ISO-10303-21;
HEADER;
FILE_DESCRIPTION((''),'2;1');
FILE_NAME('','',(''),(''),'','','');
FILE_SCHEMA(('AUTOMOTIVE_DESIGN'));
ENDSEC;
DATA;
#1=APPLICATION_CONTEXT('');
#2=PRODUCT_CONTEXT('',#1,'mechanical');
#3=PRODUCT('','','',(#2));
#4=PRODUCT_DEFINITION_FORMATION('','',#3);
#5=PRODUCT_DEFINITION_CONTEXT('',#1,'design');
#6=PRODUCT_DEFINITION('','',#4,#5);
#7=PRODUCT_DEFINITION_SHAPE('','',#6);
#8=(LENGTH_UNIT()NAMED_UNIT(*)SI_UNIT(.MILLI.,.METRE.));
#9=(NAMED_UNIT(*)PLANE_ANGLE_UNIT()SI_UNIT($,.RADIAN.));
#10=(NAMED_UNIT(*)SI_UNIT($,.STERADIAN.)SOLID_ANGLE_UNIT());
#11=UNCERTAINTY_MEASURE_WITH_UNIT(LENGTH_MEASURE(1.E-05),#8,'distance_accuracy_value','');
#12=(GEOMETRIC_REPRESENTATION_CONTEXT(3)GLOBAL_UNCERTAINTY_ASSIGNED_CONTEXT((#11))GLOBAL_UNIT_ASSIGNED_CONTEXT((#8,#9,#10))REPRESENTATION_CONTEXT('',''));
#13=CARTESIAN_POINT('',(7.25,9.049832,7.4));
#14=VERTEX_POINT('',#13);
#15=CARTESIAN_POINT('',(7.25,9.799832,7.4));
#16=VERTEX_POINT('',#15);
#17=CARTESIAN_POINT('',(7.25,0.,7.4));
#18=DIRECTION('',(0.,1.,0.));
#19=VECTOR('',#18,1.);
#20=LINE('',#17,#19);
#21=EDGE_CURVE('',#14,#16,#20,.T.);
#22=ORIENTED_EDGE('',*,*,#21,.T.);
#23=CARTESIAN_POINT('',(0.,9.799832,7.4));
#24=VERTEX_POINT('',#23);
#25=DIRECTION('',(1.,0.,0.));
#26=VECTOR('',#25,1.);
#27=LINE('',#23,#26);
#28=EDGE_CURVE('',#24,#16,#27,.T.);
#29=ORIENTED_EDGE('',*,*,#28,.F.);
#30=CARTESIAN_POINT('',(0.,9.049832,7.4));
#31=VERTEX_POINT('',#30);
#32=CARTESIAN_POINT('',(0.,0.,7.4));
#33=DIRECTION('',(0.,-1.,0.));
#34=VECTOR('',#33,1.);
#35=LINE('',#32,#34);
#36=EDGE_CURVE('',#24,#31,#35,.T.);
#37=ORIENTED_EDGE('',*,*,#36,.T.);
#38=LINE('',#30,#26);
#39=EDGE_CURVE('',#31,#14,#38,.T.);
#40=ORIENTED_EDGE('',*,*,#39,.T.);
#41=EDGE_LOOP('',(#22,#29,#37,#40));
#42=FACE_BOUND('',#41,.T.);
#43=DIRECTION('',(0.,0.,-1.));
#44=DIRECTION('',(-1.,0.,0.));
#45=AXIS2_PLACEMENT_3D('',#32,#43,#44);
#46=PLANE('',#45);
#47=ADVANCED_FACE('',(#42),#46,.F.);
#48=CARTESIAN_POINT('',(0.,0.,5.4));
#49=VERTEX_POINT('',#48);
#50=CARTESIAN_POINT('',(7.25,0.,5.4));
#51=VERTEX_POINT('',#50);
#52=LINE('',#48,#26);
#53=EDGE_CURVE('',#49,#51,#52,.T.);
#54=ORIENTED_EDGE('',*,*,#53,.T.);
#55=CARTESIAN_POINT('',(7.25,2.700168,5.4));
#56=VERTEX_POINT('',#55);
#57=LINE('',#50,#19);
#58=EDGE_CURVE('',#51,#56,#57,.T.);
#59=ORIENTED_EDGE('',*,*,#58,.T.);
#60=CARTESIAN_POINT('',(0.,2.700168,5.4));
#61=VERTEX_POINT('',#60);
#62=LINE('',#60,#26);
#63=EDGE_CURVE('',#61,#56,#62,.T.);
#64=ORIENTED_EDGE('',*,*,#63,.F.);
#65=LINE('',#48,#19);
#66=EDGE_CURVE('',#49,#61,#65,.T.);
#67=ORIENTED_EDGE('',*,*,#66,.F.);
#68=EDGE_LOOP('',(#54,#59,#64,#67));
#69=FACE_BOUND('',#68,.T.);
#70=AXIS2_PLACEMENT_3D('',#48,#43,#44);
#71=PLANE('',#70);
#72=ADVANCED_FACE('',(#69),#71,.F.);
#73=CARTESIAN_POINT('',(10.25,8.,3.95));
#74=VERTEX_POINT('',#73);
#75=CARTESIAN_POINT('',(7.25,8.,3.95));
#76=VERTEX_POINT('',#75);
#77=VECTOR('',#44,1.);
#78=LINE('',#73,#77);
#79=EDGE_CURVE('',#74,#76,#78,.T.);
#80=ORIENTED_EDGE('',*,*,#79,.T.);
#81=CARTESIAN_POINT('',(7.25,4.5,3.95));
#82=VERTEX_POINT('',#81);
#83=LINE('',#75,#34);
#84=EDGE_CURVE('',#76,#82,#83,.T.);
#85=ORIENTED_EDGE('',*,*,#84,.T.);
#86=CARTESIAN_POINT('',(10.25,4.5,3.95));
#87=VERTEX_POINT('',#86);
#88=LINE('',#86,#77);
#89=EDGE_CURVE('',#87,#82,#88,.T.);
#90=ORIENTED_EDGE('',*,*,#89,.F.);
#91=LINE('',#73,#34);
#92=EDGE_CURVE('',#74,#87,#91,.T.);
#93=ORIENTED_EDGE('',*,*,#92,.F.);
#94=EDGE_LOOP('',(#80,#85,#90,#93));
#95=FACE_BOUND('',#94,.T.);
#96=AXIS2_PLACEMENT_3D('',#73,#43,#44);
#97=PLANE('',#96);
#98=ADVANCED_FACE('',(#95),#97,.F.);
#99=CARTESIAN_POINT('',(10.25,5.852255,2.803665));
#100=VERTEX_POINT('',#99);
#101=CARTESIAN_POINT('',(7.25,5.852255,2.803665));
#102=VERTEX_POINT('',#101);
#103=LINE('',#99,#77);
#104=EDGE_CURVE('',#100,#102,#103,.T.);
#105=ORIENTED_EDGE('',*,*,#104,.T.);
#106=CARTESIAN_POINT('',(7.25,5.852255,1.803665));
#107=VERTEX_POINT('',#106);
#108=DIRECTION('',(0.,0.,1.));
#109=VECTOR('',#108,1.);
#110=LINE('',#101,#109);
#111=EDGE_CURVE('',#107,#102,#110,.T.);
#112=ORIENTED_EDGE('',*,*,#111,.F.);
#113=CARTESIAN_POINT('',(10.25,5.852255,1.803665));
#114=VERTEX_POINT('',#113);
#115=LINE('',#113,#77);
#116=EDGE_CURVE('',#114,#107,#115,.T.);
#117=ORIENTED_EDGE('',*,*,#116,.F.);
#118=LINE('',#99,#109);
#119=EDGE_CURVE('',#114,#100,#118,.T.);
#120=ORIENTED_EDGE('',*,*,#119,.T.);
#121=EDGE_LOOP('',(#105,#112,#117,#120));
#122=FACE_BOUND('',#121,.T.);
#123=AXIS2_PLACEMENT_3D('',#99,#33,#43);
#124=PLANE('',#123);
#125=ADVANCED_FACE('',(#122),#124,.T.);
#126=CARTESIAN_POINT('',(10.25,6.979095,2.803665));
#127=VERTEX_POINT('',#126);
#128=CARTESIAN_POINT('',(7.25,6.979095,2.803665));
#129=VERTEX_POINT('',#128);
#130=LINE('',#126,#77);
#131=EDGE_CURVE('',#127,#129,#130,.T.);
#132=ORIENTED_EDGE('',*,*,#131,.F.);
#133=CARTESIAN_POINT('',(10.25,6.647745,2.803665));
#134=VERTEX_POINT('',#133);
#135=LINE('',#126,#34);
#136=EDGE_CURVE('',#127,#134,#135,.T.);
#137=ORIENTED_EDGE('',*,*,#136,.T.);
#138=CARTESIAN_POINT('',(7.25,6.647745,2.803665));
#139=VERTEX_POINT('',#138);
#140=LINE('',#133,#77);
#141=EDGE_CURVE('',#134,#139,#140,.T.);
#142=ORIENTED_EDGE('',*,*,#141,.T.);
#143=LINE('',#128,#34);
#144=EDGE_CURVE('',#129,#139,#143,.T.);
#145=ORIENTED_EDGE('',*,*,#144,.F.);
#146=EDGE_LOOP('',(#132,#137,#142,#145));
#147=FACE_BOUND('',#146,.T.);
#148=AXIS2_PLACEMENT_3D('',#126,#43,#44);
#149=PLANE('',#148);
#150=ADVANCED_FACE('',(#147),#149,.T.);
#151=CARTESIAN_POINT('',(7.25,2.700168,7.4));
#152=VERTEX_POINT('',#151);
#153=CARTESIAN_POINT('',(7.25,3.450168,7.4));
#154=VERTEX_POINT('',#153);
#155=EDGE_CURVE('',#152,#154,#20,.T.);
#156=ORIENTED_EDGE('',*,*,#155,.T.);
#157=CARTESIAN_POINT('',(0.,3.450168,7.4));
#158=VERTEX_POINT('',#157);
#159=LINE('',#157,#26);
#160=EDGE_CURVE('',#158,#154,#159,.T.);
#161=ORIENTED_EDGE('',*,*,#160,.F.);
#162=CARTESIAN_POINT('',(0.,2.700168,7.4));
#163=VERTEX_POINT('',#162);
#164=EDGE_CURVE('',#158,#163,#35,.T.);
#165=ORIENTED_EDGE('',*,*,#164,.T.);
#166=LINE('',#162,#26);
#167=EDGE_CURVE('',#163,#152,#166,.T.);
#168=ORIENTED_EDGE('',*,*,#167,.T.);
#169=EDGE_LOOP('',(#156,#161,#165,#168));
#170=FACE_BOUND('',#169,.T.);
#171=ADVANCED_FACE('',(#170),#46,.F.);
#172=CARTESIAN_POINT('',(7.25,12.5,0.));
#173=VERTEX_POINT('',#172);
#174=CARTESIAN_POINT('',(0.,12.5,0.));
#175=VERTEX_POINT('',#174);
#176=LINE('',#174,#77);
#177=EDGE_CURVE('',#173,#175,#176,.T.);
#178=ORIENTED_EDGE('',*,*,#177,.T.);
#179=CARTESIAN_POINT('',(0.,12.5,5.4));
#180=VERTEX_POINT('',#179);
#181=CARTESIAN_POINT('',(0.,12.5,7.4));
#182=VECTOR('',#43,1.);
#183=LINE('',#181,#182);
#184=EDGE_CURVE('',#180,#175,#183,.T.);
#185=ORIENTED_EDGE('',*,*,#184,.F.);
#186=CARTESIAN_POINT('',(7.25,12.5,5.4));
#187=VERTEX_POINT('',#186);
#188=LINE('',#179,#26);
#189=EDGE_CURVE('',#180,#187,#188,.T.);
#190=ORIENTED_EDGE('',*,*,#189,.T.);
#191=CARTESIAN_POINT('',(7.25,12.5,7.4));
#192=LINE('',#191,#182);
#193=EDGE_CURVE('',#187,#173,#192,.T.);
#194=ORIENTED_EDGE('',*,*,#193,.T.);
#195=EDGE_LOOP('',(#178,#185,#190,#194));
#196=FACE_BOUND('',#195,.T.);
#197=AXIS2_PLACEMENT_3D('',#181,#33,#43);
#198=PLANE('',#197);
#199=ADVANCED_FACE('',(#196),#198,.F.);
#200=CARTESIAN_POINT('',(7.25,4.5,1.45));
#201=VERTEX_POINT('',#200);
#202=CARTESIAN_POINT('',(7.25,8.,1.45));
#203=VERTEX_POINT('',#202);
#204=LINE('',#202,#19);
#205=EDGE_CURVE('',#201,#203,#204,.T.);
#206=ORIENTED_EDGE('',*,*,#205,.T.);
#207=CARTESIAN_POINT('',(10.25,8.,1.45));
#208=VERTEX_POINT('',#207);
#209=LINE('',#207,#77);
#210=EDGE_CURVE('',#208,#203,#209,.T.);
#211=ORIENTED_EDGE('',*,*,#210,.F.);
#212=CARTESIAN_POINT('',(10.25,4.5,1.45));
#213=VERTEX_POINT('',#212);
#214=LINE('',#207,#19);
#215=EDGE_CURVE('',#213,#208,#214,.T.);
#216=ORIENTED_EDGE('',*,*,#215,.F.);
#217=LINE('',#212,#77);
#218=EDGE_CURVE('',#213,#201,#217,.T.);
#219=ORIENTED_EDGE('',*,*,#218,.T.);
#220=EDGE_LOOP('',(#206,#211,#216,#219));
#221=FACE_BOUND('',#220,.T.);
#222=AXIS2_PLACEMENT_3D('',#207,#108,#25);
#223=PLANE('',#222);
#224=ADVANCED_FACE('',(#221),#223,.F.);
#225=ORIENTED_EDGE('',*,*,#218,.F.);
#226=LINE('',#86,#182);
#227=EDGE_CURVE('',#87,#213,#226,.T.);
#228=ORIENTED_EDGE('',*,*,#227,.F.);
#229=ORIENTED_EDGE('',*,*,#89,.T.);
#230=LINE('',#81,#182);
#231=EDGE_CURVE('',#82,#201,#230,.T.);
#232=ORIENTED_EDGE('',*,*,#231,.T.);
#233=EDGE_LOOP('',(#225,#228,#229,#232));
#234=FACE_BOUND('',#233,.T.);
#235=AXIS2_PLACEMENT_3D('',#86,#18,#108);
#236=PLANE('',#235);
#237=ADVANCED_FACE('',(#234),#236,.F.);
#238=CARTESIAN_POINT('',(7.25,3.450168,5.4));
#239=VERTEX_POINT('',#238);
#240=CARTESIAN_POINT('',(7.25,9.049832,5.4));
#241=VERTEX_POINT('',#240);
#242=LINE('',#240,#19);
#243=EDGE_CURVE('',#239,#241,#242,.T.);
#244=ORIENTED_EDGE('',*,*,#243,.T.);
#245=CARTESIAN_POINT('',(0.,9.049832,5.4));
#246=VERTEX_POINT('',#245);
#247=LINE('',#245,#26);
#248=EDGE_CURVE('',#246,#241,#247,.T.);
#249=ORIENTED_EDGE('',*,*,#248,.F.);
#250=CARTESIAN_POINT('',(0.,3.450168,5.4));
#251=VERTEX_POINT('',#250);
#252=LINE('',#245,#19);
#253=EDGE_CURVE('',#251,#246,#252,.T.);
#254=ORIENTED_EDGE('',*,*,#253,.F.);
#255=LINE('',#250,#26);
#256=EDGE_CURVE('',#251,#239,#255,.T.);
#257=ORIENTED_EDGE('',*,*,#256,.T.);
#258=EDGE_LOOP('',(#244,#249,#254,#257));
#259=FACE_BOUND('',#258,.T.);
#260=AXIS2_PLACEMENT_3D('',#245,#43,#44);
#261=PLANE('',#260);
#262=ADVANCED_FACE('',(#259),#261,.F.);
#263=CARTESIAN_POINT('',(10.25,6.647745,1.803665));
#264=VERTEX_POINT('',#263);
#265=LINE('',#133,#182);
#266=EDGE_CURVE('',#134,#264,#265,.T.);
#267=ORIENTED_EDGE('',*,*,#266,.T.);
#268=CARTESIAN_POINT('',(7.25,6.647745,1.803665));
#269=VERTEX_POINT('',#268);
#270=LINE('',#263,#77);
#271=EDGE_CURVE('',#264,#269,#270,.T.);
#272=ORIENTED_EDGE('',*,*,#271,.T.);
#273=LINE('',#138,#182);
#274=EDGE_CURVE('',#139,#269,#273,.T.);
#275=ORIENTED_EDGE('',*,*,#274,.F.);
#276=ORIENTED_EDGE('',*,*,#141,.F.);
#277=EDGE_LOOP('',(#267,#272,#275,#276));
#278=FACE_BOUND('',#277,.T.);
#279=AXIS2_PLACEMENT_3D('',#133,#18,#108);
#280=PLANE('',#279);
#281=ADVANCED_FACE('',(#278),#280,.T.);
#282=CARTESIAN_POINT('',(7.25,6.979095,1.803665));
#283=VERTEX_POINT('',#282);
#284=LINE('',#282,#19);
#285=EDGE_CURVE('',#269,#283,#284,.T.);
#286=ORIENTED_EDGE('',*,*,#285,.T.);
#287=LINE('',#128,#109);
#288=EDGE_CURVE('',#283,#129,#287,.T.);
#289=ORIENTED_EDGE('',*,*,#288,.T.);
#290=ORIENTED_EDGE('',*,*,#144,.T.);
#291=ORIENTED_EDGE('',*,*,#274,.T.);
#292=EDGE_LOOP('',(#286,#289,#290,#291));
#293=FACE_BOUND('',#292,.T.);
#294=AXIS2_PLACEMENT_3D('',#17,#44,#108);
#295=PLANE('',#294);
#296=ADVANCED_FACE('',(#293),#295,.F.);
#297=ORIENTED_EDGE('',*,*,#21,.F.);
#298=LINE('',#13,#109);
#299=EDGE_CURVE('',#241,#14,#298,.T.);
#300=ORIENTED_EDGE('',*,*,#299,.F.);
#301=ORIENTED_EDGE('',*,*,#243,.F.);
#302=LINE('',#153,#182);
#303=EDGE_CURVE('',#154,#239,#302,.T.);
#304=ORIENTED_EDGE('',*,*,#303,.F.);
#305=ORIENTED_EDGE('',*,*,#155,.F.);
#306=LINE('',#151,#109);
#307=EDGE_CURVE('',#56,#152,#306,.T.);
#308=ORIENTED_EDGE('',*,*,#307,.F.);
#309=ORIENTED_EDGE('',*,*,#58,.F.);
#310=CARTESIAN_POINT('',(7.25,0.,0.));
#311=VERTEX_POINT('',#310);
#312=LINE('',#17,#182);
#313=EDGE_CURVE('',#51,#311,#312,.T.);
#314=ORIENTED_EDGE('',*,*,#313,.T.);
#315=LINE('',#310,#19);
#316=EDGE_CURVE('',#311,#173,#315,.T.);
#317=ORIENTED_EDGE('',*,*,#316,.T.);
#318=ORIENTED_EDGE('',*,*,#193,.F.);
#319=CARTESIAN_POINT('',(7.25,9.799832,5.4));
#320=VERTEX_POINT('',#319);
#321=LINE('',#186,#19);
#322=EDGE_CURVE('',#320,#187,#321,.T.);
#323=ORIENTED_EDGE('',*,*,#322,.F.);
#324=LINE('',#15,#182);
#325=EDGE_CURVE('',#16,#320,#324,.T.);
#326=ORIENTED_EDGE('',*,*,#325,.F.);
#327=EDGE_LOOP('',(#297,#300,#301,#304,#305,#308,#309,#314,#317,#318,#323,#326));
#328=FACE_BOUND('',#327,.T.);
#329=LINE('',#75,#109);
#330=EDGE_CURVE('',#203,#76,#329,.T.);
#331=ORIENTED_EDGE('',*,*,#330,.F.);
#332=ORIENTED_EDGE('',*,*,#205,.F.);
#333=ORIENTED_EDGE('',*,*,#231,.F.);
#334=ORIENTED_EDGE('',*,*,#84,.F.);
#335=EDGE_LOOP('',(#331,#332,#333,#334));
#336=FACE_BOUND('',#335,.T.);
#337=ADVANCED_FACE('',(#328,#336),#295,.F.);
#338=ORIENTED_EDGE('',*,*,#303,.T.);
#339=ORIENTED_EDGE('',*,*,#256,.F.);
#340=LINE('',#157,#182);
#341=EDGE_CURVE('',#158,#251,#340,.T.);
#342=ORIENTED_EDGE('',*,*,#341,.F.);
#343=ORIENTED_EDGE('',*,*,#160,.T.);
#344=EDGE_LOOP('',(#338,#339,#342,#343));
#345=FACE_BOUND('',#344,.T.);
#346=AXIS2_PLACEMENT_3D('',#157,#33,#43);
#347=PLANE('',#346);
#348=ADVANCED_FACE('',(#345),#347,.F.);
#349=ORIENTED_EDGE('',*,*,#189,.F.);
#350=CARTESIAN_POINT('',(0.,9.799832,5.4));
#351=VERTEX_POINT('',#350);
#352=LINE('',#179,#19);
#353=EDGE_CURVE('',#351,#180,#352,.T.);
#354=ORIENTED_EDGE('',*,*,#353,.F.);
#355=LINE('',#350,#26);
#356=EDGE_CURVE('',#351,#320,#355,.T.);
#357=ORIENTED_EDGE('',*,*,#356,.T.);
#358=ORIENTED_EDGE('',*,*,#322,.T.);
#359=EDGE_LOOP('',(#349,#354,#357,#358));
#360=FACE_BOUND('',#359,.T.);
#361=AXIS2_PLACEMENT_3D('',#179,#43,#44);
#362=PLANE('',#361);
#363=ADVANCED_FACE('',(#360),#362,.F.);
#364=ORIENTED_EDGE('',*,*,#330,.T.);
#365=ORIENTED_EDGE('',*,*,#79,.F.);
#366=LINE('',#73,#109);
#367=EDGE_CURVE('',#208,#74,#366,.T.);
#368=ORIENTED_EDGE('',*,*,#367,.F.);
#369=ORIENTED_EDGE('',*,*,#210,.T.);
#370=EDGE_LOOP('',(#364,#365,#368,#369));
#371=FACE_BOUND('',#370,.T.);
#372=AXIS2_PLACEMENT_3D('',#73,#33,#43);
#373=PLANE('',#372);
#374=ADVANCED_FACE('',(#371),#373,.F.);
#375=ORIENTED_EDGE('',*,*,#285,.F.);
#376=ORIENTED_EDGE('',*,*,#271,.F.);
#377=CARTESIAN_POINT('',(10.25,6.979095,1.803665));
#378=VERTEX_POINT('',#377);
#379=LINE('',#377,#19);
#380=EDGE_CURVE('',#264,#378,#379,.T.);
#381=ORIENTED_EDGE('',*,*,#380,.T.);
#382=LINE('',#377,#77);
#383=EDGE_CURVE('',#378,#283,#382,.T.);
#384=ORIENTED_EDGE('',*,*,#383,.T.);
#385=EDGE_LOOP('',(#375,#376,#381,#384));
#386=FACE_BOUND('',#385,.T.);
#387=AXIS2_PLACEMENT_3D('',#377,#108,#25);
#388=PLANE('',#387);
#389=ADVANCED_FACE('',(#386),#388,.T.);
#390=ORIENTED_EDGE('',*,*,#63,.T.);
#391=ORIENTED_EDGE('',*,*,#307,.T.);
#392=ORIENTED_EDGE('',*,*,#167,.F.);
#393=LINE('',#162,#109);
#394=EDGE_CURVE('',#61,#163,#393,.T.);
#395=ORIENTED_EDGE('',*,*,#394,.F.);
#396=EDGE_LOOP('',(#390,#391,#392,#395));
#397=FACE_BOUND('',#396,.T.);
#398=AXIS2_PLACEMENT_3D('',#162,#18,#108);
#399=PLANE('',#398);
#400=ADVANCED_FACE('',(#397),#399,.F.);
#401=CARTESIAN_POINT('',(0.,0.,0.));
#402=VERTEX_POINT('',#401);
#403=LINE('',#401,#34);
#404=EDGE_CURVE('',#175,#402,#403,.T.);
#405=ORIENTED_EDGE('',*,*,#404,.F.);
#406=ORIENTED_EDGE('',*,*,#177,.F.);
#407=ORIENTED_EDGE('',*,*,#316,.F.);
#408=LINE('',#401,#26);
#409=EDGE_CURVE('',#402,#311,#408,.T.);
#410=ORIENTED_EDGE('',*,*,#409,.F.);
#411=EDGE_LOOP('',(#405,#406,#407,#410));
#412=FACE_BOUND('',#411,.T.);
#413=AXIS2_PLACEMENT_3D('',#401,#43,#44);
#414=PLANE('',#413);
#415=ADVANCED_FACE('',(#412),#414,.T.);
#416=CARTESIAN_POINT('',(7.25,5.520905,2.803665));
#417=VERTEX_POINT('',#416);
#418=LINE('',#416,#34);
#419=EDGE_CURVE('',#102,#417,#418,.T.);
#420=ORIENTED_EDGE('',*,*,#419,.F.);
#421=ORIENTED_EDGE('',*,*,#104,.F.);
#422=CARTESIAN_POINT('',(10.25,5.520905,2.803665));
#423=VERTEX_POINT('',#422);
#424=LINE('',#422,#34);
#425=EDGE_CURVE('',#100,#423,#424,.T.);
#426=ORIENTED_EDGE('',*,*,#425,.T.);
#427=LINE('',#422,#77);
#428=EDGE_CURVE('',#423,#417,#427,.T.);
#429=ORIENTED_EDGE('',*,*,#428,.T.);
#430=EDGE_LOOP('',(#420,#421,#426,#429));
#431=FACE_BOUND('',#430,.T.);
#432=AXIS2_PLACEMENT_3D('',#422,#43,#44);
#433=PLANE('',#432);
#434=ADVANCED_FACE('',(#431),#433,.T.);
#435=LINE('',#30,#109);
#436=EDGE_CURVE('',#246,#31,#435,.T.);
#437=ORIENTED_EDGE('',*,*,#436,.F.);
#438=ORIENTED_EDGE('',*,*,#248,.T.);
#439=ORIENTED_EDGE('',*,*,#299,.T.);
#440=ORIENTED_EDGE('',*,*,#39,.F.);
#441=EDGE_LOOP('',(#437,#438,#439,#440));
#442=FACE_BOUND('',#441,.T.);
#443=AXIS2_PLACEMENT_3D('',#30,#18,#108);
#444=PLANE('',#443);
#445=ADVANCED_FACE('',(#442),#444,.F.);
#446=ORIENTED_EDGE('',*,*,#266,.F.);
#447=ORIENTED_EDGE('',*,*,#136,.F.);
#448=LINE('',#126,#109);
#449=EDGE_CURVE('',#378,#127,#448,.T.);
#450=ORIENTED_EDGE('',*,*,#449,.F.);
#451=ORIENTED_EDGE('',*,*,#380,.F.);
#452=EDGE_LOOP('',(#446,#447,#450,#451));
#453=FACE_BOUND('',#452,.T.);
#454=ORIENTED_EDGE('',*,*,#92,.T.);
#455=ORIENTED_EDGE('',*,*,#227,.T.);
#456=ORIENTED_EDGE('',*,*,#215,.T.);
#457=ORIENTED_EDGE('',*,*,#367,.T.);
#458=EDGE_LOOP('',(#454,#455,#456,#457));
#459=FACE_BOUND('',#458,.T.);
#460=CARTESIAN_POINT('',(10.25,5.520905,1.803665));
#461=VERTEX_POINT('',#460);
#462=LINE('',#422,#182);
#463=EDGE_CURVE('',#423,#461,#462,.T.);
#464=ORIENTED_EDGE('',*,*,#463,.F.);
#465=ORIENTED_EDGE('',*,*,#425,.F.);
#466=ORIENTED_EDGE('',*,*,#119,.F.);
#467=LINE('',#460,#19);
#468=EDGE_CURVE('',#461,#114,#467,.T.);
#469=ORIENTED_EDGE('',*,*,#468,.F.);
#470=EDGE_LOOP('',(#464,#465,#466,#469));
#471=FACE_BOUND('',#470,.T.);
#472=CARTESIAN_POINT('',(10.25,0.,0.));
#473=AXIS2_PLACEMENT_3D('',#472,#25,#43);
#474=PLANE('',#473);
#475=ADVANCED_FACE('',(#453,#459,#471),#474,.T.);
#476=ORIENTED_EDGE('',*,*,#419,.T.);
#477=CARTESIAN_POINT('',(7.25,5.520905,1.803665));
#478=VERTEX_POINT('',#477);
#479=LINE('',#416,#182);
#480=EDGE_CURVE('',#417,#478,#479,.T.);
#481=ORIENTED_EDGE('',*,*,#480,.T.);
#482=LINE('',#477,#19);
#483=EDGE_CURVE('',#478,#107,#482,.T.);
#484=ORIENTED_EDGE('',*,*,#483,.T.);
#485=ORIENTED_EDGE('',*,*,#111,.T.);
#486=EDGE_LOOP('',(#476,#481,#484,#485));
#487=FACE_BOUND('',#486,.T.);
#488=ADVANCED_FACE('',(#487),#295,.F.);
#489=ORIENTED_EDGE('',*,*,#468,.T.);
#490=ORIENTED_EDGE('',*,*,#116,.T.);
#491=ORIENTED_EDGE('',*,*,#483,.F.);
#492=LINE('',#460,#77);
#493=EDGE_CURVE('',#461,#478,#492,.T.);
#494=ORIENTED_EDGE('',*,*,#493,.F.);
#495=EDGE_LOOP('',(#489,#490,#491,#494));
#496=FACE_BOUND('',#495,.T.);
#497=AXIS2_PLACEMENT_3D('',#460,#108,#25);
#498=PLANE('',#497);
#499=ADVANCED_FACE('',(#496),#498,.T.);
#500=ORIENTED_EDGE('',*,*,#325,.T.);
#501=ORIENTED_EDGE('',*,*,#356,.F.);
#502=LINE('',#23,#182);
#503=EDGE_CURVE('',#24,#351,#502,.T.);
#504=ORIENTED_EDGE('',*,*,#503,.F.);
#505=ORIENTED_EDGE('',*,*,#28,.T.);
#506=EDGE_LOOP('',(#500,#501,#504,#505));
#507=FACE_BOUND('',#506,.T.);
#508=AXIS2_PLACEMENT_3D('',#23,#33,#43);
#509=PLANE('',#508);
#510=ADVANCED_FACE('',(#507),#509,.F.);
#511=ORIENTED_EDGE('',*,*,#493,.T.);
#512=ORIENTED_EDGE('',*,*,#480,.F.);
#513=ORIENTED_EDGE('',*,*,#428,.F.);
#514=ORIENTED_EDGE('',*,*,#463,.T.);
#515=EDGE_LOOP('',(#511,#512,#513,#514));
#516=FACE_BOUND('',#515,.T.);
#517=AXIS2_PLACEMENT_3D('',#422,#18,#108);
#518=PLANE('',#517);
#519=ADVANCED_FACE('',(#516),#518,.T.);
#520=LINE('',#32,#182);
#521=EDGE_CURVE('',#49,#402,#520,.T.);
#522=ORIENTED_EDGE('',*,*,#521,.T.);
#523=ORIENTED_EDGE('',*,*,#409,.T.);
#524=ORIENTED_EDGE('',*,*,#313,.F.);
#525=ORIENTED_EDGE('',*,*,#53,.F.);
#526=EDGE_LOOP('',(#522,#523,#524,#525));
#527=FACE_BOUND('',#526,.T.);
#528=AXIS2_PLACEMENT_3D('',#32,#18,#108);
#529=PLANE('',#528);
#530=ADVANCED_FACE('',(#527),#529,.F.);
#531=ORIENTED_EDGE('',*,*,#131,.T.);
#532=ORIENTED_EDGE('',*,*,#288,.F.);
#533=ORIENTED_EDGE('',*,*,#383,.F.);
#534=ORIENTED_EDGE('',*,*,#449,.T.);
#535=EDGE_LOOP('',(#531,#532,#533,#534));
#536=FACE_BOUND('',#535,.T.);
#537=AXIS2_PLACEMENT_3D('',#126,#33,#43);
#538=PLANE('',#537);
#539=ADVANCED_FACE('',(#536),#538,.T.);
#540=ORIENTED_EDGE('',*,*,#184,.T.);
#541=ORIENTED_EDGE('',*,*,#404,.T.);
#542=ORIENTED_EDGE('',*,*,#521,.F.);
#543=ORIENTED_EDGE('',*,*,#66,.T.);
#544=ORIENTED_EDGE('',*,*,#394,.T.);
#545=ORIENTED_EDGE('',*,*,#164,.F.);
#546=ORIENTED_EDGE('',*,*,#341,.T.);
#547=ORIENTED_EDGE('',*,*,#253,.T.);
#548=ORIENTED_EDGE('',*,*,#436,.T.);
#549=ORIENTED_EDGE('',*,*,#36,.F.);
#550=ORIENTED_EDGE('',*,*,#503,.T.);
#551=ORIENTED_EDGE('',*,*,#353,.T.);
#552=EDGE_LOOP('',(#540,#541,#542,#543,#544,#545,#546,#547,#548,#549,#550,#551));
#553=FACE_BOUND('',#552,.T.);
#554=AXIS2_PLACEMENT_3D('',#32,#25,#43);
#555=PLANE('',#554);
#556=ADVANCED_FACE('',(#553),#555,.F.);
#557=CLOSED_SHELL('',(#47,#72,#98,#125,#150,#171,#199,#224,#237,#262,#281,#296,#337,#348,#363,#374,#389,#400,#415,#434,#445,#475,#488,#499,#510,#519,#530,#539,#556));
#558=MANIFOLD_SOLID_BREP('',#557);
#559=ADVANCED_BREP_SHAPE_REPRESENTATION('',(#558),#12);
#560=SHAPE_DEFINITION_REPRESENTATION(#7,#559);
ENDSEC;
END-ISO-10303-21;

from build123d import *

# Parameters (mm, degrees)
SKETCH1_W           = 7.25
SKETCH1_H           = 12.5
BOSS_EXTRUDE1_DEPTH = 7.4
SKETCH2_W           = 2
SKETCH2_H           = 2.700167795
SKETCH2_H_2         = 5.59966441
CUT_EXTRUDE1_DEPTH  = 8.25
SKETCH3_W           = 2.5
SKETCH3_H           = 3.5
SKETCH3_W_2         = 1
SKETCH3_H_2         = 0.331350256
BOSS_EXTRUDE2_DEPTH = 3


with BuildPart() as part:
    # Sketch1 → Boss-Extrude1 (new body)
    with BuildSketch(Plane.XY):
        with Locations((3.625, 6.25)):
            Rectangle(SKETCH1_W, SKETCH1_H)
    extrude(amount=BOSS_EXTRUDE1_DEPTH)

    # Sketch2 → Cut-Extrude1 (cut, through all)
    with BuildSketch(Plane(origin=(7.25, 0, 0), x_dir=(0, 0, -1), z_dir=(1, 0, 0))):
        with Locations((-6.4, 11.149916103)):
            Rectangle(SKETCH2_W, SKETCH2_H)
        with Locations((-6.4, 1.350083898)):
            Rectangle(SKETCH2_W, SKETCH2_H)
        with Locations((-6.4, 6.25)):
            Rectangle(SKETCH2_W, SKETCH2_H_2)
    extrude(amount=-CUT_EXTRUDE1_DEPTH, mode=Mode.SUBTRACT)

    # Sketch3 → Boss-Extrude2 (add)
    with BuildSketch(Plane(origin=(7.25, 0, 0), x_dir=(0, 0, -1), z_dir=(1, 0, 0))):
        with Locations((-2.7, 6.25)):
            Rectangle(SKETCH3_W, SKETCH3_H)
        with Locations((-2.303664878, 5.686580017)):
            Rectangle(SKETCH3_W_2, SKETCH3_H_2, mode=Mode.SUBTRACT)
        with Locations((-2.303664878, 6.813419983)):
            Rectangle(SKETCH3_W_2, SKETCH3_H_2, mode=Mode.SUBTRACT)
    extrude(amount=BOSS_EXTRUDE2_DEPTH)


solid = part.part
